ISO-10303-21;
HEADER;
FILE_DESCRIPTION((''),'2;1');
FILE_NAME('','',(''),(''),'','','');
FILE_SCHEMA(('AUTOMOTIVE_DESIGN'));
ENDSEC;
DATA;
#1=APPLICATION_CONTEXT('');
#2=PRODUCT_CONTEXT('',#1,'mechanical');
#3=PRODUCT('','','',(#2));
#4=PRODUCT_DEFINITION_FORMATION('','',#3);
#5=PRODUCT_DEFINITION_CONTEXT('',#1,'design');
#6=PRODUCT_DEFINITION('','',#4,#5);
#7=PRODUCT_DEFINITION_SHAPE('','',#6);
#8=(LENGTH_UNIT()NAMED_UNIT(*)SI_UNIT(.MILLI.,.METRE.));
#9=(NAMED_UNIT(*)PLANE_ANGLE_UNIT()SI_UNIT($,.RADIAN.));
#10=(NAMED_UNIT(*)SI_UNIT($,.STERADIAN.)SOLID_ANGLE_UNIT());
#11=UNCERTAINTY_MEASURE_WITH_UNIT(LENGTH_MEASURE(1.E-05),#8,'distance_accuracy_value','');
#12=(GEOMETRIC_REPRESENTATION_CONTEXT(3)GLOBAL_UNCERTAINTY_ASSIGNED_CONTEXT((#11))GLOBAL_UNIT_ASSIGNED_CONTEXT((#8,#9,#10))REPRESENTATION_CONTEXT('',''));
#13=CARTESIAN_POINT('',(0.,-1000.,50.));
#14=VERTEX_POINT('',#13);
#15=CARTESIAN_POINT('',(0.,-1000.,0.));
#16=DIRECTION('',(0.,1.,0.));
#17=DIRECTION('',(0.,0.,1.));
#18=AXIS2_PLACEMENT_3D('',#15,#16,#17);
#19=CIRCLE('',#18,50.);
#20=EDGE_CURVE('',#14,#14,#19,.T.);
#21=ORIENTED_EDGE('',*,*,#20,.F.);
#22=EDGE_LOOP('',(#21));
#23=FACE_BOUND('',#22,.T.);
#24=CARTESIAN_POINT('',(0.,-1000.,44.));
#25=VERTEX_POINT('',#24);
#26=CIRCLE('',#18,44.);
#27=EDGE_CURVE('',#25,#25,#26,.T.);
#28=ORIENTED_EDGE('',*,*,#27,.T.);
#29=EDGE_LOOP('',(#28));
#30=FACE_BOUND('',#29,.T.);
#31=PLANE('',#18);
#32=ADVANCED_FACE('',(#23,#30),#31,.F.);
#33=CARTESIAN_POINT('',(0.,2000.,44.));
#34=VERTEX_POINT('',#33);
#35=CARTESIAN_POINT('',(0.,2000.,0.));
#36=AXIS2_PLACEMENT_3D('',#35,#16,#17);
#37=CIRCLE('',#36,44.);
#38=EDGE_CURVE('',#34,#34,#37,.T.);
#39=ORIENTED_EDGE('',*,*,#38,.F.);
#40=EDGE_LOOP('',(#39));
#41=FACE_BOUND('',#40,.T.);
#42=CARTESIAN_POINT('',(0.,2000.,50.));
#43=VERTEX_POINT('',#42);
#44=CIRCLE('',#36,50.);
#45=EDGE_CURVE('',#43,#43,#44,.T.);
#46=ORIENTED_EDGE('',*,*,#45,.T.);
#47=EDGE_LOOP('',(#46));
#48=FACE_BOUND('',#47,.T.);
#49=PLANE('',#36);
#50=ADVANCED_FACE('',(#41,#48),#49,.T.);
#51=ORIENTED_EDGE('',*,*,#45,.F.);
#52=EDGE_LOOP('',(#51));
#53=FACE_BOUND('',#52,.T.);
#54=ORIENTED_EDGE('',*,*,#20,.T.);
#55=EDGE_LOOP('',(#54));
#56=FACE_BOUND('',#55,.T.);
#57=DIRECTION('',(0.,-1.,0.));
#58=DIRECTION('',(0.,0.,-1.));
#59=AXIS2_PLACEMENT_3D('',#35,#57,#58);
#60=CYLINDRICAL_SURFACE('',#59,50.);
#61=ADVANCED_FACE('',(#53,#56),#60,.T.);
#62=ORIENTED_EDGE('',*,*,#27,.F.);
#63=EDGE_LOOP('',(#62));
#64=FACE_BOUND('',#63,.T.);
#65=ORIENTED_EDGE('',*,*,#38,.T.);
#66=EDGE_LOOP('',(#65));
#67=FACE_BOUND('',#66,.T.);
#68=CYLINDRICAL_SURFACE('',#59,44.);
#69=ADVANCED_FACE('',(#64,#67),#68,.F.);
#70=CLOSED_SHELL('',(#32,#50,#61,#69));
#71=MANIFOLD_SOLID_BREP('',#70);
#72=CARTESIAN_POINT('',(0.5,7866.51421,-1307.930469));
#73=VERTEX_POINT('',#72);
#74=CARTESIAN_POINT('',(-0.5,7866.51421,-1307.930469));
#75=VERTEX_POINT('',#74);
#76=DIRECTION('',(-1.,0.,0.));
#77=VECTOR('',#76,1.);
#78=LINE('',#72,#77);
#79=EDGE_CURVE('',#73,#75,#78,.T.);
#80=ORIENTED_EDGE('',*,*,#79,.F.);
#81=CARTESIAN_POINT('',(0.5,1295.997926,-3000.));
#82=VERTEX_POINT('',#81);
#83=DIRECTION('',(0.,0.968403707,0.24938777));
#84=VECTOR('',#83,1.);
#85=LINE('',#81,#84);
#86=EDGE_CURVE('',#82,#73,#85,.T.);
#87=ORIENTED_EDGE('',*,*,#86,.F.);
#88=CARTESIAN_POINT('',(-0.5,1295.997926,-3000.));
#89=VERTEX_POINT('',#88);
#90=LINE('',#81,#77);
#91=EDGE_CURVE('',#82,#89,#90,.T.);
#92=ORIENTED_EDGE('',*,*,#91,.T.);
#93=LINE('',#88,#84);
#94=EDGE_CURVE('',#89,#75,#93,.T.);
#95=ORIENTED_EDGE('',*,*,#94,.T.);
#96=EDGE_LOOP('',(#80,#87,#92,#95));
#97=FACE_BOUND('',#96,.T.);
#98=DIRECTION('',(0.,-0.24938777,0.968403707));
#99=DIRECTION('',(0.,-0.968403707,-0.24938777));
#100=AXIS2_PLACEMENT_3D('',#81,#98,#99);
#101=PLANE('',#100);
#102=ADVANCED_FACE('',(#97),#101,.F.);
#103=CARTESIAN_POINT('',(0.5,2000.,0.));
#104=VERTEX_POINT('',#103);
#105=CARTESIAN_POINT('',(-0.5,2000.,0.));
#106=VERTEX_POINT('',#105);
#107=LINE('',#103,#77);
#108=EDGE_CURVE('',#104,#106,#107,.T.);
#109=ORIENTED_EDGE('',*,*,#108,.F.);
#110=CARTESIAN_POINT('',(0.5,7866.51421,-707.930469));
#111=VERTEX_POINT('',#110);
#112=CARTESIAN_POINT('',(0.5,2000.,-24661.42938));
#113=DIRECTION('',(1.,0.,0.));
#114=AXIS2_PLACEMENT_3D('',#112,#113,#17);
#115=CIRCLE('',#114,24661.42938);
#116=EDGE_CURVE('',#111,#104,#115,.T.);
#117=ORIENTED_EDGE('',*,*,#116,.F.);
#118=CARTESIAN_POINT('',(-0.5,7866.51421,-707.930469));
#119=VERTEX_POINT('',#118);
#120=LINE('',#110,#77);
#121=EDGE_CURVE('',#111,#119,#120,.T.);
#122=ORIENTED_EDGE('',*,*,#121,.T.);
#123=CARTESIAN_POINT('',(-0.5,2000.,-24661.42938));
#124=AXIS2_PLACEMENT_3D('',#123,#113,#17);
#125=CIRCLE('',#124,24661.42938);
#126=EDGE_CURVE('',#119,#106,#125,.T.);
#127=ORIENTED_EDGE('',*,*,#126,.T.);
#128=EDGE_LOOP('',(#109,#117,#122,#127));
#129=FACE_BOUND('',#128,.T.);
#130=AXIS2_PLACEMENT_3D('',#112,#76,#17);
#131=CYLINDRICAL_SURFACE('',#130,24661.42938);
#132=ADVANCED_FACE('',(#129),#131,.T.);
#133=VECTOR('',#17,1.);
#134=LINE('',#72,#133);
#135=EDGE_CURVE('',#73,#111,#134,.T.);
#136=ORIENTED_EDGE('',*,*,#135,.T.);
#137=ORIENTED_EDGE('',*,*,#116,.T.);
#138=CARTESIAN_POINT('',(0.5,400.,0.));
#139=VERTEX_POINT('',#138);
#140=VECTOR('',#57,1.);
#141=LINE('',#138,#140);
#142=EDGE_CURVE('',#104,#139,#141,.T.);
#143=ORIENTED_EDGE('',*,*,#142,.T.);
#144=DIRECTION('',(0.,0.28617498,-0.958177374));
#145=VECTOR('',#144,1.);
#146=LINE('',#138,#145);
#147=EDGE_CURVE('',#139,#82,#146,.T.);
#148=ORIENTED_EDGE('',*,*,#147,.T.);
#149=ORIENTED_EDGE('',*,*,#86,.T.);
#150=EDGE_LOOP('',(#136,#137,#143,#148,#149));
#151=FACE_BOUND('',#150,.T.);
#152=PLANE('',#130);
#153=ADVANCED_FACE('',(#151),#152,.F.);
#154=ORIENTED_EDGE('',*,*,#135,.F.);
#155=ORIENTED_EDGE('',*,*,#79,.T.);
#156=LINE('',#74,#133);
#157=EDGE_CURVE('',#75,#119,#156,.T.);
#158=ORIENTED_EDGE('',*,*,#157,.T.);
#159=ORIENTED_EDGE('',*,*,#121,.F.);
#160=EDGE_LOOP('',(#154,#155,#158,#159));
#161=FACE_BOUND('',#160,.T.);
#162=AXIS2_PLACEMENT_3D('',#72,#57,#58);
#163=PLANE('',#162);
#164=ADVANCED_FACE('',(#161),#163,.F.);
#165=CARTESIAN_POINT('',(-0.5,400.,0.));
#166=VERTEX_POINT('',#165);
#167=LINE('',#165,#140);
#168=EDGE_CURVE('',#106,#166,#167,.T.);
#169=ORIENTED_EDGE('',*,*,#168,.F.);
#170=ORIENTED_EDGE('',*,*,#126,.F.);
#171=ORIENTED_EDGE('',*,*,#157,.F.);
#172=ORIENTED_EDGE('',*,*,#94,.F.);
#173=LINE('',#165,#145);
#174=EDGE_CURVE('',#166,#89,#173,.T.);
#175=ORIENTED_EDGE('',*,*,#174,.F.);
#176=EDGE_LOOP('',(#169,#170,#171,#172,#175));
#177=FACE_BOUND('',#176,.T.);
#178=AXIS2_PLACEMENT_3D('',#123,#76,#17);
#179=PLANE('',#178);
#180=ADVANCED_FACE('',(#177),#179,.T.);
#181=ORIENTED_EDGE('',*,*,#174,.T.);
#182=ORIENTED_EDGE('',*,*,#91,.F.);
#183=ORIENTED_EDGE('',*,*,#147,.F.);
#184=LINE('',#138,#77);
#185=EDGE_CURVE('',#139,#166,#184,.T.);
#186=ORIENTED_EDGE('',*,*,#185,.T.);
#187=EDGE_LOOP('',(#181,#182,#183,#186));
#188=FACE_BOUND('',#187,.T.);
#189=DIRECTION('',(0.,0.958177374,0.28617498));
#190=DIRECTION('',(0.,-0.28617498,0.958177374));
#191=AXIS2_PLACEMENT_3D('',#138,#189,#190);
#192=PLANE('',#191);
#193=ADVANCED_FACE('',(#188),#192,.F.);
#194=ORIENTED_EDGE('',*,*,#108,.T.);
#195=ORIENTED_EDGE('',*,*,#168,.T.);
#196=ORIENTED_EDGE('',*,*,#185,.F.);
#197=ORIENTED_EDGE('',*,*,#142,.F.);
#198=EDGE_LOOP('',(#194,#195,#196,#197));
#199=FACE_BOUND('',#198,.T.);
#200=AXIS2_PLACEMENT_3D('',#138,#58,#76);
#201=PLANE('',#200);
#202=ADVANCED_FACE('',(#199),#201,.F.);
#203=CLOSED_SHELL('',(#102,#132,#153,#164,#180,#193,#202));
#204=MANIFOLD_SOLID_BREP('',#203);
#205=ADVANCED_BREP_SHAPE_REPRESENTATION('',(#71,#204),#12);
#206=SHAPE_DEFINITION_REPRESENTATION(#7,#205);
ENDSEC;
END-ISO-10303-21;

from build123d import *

# Parameters (mm, degrees)
SKETCH2_R                = 50
SKETCH2_R_2              = 44
BOSS_EXTRUDE1_DEPTH      = 2000
BOSS_EXTRUDE1_DEPTH_BACK = 1000
BOSS_EXTRUDE2_DEPTH      = 0.5


with BuildPart() as part:
    # Sketch2 → Boss-Extrude1 (new body, two sides)
    with BuildSketch(Plane(origin=(0, 0, 0), x_dir=(1, 0, 0), z_dir=(0, 1, 0))) as boss_extrude1_sk:
        Circle(SKETCH2_R)
        Circle(SKETCH2_R_2, mode=Mode.SUBTRACT)
    extrude(amount=BOSS_EXTRUDE1_DEPTH)
    extrude(boss_extrude1_sk.sketch, amount=-BOSS_EXTRUDE1_DEPTH_BACK)


with BuildPart() as body_2:
    # Sketch4 → Boss-Extrude2 (new body, symmetric)
    with BuildSketch(Plane(origin=(0, 0, 0), x_dir=(0, 0, -1), z_dir=(1, 0, 0))):
        with BuildLine():
            Line((0, 400), (3000, 1295.997925735))
            Line((3000, 1295.997925735), (1307.930468861, 7866.514210209))
            Line((1307.930468861, 7866.514210209), (707.930468861, 7866.514210209))
            ThreePointArc((707.930468861, 7866.514210209), (177.622273407, 4954.536957263), (0, 2000))
            Line((0, 2000), (0, 400))
        make_face()
    extrude(amount=BOSS_EXTRUDE2_DEPTH, both=True)


solid = Compound([part.part, body_2.part])
